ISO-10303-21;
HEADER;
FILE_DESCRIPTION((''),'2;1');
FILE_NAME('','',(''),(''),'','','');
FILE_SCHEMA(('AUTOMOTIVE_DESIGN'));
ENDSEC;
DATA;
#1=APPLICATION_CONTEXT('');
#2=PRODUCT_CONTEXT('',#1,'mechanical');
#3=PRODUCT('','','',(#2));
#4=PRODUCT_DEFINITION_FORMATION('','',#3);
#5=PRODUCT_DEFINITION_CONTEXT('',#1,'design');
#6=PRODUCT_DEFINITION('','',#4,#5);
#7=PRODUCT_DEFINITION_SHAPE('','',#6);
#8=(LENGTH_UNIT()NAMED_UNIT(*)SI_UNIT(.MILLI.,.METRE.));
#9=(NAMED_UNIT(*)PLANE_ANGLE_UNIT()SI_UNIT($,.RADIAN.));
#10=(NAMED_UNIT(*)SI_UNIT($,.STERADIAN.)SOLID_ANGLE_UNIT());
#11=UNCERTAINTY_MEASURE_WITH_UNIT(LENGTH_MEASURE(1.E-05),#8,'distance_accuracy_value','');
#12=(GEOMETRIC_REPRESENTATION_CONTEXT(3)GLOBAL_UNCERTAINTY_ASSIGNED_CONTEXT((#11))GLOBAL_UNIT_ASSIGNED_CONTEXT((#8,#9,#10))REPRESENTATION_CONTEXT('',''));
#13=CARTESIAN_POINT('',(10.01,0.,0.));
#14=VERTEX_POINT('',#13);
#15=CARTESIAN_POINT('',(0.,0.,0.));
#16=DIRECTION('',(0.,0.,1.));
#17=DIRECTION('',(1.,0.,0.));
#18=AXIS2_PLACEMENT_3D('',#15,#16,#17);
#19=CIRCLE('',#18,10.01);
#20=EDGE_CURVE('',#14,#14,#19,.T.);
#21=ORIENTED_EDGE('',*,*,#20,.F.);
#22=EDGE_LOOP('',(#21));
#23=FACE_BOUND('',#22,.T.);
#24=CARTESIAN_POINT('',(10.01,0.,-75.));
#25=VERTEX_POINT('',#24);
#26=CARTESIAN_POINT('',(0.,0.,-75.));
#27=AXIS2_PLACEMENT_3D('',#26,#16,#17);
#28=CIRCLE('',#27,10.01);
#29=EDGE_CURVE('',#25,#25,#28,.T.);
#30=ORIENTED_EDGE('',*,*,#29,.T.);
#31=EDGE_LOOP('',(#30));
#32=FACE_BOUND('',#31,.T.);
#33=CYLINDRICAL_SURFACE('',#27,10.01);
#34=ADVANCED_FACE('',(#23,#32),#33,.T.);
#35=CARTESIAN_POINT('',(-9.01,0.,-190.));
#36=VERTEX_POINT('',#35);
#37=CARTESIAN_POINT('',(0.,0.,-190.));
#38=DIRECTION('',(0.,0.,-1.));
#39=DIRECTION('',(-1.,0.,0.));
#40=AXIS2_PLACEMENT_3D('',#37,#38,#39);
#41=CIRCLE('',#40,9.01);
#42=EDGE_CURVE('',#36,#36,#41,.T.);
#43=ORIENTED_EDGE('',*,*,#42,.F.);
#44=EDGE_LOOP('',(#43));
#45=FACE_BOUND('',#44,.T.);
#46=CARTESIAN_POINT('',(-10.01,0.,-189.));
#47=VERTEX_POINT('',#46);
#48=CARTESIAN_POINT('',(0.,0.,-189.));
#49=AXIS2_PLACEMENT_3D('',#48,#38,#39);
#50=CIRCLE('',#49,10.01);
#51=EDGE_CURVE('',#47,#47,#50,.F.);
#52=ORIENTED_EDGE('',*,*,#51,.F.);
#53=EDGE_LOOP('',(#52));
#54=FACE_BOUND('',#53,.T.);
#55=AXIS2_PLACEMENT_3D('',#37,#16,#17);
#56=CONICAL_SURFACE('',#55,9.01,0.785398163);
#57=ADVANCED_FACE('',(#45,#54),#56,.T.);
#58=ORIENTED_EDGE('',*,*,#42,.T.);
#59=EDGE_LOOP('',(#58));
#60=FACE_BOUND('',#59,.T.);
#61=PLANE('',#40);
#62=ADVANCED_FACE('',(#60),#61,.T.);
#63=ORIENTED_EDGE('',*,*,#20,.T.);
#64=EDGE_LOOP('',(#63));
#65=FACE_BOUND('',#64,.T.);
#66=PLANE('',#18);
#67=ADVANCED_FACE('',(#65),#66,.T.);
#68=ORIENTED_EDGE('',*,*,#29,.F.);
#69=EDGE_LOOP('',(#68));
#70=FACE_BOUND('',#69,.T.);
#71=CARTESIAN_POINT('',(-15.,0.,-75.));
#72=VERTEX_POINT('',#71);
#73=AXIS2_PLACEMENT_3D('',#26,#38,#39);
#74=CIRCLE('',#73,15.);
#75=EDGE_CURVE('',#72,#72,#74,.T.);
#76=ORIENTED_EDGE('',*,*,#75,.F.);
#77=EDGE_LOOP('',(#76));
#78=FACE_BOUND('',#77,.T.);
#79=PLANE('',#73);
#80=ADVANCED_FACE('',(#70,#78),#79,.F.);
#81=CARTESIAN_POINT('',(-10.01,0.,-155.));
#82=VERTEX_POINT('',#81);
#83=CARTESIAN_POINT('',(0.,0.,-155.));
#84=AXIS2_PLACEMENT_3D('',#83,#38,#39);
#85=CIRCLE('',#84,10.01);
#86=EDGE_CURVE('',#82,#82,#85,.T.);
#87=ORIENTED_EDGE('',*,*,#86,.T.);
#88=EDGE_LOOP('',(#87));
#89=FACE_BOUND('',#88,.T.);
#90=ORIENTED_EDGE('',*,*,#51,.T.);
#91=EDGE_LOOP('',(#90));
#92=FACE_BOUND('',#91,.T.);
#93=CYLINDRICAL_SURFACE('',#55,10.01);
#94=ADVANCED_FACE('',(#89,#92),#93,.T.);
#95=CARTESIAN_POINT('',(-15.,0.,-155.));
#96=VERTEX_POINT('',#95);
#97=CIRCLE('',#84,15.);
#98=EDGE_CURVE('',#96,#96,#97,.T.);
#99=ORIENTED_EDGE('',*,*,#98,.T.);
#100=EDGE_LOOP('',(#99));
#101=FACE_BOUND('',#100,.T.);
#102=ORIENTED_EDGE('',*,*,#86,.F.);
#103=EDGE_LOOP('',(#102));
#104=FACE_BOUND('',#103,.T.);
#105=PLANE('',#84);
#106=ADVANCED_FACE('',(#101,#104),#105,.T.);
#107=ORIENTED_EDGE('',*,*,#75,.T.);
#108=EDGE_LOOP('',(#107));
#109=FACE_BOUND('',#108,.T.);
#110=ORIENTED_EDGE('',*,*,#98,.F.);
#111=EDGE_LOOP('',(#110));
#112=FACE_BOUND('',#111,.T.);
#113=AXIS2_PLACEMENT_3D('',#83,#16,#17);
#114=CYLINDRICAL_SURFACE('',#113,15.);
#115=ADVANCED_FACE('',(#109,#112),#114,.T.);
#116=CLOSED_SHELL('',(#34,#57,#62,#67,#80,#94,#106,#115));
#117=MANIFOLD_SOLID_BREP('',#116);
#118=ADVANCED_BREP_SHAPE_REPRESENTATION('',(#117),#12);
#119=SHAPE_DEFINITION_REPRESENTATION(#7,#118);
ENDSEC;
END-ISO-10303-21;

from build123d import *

# Parameters (mm, degrees)
SKETCH1_R           = 10.01
BOSS_EXTRUDE1_DEPTH = 75
SKETCH2_R           = 15
BOSS_EXTRUDE2_DEPTH = 80
SKETCH3_R           = 10.01
BOSS_EXTRUDE3_DEPTH = 35
CHAMFER1_SIZE       = 1


with BuildPart() as part:
    # Sketch1 → Boss-Extrude1 (new body)
    with BuildSketch(Plane.XY):
        Circle(SKETCH1_R)
    extrude(amount=-BOSS_EXTRUDE1_DEPTH)

    # Sketch2 → Boss-Extrude2 (add)
    with BuildSketch(Plane(origin=(0, 0, -75), x_dir=(-1, 0, 0), z_dir=(0, 0, -1))):
        Circle(SKETCH2_R)
    extrude(amount=BOSS_EXTRUDE2_DEPTH)

    # Sketch3 → Boss-Extrude3 (add)
    with BuildSketch(Plane(origin=(0, 0, -155), x_dir=(-1, 0, 0), z_dir=(0, 0, -1))):
        Circle(SKETCH3_R)
    extrude(amount=BOSS_EXTRUDE3_DEPTH)

    # Chamfer1
    chamfer1_edges = [part.edges().sort_by_distance(p)[0] for p in [
        (10.01, 0, -190),
    ]]
    chamfer(chamfer1_edges, length=CHAMFER1_SIZE)


solid = part.part
